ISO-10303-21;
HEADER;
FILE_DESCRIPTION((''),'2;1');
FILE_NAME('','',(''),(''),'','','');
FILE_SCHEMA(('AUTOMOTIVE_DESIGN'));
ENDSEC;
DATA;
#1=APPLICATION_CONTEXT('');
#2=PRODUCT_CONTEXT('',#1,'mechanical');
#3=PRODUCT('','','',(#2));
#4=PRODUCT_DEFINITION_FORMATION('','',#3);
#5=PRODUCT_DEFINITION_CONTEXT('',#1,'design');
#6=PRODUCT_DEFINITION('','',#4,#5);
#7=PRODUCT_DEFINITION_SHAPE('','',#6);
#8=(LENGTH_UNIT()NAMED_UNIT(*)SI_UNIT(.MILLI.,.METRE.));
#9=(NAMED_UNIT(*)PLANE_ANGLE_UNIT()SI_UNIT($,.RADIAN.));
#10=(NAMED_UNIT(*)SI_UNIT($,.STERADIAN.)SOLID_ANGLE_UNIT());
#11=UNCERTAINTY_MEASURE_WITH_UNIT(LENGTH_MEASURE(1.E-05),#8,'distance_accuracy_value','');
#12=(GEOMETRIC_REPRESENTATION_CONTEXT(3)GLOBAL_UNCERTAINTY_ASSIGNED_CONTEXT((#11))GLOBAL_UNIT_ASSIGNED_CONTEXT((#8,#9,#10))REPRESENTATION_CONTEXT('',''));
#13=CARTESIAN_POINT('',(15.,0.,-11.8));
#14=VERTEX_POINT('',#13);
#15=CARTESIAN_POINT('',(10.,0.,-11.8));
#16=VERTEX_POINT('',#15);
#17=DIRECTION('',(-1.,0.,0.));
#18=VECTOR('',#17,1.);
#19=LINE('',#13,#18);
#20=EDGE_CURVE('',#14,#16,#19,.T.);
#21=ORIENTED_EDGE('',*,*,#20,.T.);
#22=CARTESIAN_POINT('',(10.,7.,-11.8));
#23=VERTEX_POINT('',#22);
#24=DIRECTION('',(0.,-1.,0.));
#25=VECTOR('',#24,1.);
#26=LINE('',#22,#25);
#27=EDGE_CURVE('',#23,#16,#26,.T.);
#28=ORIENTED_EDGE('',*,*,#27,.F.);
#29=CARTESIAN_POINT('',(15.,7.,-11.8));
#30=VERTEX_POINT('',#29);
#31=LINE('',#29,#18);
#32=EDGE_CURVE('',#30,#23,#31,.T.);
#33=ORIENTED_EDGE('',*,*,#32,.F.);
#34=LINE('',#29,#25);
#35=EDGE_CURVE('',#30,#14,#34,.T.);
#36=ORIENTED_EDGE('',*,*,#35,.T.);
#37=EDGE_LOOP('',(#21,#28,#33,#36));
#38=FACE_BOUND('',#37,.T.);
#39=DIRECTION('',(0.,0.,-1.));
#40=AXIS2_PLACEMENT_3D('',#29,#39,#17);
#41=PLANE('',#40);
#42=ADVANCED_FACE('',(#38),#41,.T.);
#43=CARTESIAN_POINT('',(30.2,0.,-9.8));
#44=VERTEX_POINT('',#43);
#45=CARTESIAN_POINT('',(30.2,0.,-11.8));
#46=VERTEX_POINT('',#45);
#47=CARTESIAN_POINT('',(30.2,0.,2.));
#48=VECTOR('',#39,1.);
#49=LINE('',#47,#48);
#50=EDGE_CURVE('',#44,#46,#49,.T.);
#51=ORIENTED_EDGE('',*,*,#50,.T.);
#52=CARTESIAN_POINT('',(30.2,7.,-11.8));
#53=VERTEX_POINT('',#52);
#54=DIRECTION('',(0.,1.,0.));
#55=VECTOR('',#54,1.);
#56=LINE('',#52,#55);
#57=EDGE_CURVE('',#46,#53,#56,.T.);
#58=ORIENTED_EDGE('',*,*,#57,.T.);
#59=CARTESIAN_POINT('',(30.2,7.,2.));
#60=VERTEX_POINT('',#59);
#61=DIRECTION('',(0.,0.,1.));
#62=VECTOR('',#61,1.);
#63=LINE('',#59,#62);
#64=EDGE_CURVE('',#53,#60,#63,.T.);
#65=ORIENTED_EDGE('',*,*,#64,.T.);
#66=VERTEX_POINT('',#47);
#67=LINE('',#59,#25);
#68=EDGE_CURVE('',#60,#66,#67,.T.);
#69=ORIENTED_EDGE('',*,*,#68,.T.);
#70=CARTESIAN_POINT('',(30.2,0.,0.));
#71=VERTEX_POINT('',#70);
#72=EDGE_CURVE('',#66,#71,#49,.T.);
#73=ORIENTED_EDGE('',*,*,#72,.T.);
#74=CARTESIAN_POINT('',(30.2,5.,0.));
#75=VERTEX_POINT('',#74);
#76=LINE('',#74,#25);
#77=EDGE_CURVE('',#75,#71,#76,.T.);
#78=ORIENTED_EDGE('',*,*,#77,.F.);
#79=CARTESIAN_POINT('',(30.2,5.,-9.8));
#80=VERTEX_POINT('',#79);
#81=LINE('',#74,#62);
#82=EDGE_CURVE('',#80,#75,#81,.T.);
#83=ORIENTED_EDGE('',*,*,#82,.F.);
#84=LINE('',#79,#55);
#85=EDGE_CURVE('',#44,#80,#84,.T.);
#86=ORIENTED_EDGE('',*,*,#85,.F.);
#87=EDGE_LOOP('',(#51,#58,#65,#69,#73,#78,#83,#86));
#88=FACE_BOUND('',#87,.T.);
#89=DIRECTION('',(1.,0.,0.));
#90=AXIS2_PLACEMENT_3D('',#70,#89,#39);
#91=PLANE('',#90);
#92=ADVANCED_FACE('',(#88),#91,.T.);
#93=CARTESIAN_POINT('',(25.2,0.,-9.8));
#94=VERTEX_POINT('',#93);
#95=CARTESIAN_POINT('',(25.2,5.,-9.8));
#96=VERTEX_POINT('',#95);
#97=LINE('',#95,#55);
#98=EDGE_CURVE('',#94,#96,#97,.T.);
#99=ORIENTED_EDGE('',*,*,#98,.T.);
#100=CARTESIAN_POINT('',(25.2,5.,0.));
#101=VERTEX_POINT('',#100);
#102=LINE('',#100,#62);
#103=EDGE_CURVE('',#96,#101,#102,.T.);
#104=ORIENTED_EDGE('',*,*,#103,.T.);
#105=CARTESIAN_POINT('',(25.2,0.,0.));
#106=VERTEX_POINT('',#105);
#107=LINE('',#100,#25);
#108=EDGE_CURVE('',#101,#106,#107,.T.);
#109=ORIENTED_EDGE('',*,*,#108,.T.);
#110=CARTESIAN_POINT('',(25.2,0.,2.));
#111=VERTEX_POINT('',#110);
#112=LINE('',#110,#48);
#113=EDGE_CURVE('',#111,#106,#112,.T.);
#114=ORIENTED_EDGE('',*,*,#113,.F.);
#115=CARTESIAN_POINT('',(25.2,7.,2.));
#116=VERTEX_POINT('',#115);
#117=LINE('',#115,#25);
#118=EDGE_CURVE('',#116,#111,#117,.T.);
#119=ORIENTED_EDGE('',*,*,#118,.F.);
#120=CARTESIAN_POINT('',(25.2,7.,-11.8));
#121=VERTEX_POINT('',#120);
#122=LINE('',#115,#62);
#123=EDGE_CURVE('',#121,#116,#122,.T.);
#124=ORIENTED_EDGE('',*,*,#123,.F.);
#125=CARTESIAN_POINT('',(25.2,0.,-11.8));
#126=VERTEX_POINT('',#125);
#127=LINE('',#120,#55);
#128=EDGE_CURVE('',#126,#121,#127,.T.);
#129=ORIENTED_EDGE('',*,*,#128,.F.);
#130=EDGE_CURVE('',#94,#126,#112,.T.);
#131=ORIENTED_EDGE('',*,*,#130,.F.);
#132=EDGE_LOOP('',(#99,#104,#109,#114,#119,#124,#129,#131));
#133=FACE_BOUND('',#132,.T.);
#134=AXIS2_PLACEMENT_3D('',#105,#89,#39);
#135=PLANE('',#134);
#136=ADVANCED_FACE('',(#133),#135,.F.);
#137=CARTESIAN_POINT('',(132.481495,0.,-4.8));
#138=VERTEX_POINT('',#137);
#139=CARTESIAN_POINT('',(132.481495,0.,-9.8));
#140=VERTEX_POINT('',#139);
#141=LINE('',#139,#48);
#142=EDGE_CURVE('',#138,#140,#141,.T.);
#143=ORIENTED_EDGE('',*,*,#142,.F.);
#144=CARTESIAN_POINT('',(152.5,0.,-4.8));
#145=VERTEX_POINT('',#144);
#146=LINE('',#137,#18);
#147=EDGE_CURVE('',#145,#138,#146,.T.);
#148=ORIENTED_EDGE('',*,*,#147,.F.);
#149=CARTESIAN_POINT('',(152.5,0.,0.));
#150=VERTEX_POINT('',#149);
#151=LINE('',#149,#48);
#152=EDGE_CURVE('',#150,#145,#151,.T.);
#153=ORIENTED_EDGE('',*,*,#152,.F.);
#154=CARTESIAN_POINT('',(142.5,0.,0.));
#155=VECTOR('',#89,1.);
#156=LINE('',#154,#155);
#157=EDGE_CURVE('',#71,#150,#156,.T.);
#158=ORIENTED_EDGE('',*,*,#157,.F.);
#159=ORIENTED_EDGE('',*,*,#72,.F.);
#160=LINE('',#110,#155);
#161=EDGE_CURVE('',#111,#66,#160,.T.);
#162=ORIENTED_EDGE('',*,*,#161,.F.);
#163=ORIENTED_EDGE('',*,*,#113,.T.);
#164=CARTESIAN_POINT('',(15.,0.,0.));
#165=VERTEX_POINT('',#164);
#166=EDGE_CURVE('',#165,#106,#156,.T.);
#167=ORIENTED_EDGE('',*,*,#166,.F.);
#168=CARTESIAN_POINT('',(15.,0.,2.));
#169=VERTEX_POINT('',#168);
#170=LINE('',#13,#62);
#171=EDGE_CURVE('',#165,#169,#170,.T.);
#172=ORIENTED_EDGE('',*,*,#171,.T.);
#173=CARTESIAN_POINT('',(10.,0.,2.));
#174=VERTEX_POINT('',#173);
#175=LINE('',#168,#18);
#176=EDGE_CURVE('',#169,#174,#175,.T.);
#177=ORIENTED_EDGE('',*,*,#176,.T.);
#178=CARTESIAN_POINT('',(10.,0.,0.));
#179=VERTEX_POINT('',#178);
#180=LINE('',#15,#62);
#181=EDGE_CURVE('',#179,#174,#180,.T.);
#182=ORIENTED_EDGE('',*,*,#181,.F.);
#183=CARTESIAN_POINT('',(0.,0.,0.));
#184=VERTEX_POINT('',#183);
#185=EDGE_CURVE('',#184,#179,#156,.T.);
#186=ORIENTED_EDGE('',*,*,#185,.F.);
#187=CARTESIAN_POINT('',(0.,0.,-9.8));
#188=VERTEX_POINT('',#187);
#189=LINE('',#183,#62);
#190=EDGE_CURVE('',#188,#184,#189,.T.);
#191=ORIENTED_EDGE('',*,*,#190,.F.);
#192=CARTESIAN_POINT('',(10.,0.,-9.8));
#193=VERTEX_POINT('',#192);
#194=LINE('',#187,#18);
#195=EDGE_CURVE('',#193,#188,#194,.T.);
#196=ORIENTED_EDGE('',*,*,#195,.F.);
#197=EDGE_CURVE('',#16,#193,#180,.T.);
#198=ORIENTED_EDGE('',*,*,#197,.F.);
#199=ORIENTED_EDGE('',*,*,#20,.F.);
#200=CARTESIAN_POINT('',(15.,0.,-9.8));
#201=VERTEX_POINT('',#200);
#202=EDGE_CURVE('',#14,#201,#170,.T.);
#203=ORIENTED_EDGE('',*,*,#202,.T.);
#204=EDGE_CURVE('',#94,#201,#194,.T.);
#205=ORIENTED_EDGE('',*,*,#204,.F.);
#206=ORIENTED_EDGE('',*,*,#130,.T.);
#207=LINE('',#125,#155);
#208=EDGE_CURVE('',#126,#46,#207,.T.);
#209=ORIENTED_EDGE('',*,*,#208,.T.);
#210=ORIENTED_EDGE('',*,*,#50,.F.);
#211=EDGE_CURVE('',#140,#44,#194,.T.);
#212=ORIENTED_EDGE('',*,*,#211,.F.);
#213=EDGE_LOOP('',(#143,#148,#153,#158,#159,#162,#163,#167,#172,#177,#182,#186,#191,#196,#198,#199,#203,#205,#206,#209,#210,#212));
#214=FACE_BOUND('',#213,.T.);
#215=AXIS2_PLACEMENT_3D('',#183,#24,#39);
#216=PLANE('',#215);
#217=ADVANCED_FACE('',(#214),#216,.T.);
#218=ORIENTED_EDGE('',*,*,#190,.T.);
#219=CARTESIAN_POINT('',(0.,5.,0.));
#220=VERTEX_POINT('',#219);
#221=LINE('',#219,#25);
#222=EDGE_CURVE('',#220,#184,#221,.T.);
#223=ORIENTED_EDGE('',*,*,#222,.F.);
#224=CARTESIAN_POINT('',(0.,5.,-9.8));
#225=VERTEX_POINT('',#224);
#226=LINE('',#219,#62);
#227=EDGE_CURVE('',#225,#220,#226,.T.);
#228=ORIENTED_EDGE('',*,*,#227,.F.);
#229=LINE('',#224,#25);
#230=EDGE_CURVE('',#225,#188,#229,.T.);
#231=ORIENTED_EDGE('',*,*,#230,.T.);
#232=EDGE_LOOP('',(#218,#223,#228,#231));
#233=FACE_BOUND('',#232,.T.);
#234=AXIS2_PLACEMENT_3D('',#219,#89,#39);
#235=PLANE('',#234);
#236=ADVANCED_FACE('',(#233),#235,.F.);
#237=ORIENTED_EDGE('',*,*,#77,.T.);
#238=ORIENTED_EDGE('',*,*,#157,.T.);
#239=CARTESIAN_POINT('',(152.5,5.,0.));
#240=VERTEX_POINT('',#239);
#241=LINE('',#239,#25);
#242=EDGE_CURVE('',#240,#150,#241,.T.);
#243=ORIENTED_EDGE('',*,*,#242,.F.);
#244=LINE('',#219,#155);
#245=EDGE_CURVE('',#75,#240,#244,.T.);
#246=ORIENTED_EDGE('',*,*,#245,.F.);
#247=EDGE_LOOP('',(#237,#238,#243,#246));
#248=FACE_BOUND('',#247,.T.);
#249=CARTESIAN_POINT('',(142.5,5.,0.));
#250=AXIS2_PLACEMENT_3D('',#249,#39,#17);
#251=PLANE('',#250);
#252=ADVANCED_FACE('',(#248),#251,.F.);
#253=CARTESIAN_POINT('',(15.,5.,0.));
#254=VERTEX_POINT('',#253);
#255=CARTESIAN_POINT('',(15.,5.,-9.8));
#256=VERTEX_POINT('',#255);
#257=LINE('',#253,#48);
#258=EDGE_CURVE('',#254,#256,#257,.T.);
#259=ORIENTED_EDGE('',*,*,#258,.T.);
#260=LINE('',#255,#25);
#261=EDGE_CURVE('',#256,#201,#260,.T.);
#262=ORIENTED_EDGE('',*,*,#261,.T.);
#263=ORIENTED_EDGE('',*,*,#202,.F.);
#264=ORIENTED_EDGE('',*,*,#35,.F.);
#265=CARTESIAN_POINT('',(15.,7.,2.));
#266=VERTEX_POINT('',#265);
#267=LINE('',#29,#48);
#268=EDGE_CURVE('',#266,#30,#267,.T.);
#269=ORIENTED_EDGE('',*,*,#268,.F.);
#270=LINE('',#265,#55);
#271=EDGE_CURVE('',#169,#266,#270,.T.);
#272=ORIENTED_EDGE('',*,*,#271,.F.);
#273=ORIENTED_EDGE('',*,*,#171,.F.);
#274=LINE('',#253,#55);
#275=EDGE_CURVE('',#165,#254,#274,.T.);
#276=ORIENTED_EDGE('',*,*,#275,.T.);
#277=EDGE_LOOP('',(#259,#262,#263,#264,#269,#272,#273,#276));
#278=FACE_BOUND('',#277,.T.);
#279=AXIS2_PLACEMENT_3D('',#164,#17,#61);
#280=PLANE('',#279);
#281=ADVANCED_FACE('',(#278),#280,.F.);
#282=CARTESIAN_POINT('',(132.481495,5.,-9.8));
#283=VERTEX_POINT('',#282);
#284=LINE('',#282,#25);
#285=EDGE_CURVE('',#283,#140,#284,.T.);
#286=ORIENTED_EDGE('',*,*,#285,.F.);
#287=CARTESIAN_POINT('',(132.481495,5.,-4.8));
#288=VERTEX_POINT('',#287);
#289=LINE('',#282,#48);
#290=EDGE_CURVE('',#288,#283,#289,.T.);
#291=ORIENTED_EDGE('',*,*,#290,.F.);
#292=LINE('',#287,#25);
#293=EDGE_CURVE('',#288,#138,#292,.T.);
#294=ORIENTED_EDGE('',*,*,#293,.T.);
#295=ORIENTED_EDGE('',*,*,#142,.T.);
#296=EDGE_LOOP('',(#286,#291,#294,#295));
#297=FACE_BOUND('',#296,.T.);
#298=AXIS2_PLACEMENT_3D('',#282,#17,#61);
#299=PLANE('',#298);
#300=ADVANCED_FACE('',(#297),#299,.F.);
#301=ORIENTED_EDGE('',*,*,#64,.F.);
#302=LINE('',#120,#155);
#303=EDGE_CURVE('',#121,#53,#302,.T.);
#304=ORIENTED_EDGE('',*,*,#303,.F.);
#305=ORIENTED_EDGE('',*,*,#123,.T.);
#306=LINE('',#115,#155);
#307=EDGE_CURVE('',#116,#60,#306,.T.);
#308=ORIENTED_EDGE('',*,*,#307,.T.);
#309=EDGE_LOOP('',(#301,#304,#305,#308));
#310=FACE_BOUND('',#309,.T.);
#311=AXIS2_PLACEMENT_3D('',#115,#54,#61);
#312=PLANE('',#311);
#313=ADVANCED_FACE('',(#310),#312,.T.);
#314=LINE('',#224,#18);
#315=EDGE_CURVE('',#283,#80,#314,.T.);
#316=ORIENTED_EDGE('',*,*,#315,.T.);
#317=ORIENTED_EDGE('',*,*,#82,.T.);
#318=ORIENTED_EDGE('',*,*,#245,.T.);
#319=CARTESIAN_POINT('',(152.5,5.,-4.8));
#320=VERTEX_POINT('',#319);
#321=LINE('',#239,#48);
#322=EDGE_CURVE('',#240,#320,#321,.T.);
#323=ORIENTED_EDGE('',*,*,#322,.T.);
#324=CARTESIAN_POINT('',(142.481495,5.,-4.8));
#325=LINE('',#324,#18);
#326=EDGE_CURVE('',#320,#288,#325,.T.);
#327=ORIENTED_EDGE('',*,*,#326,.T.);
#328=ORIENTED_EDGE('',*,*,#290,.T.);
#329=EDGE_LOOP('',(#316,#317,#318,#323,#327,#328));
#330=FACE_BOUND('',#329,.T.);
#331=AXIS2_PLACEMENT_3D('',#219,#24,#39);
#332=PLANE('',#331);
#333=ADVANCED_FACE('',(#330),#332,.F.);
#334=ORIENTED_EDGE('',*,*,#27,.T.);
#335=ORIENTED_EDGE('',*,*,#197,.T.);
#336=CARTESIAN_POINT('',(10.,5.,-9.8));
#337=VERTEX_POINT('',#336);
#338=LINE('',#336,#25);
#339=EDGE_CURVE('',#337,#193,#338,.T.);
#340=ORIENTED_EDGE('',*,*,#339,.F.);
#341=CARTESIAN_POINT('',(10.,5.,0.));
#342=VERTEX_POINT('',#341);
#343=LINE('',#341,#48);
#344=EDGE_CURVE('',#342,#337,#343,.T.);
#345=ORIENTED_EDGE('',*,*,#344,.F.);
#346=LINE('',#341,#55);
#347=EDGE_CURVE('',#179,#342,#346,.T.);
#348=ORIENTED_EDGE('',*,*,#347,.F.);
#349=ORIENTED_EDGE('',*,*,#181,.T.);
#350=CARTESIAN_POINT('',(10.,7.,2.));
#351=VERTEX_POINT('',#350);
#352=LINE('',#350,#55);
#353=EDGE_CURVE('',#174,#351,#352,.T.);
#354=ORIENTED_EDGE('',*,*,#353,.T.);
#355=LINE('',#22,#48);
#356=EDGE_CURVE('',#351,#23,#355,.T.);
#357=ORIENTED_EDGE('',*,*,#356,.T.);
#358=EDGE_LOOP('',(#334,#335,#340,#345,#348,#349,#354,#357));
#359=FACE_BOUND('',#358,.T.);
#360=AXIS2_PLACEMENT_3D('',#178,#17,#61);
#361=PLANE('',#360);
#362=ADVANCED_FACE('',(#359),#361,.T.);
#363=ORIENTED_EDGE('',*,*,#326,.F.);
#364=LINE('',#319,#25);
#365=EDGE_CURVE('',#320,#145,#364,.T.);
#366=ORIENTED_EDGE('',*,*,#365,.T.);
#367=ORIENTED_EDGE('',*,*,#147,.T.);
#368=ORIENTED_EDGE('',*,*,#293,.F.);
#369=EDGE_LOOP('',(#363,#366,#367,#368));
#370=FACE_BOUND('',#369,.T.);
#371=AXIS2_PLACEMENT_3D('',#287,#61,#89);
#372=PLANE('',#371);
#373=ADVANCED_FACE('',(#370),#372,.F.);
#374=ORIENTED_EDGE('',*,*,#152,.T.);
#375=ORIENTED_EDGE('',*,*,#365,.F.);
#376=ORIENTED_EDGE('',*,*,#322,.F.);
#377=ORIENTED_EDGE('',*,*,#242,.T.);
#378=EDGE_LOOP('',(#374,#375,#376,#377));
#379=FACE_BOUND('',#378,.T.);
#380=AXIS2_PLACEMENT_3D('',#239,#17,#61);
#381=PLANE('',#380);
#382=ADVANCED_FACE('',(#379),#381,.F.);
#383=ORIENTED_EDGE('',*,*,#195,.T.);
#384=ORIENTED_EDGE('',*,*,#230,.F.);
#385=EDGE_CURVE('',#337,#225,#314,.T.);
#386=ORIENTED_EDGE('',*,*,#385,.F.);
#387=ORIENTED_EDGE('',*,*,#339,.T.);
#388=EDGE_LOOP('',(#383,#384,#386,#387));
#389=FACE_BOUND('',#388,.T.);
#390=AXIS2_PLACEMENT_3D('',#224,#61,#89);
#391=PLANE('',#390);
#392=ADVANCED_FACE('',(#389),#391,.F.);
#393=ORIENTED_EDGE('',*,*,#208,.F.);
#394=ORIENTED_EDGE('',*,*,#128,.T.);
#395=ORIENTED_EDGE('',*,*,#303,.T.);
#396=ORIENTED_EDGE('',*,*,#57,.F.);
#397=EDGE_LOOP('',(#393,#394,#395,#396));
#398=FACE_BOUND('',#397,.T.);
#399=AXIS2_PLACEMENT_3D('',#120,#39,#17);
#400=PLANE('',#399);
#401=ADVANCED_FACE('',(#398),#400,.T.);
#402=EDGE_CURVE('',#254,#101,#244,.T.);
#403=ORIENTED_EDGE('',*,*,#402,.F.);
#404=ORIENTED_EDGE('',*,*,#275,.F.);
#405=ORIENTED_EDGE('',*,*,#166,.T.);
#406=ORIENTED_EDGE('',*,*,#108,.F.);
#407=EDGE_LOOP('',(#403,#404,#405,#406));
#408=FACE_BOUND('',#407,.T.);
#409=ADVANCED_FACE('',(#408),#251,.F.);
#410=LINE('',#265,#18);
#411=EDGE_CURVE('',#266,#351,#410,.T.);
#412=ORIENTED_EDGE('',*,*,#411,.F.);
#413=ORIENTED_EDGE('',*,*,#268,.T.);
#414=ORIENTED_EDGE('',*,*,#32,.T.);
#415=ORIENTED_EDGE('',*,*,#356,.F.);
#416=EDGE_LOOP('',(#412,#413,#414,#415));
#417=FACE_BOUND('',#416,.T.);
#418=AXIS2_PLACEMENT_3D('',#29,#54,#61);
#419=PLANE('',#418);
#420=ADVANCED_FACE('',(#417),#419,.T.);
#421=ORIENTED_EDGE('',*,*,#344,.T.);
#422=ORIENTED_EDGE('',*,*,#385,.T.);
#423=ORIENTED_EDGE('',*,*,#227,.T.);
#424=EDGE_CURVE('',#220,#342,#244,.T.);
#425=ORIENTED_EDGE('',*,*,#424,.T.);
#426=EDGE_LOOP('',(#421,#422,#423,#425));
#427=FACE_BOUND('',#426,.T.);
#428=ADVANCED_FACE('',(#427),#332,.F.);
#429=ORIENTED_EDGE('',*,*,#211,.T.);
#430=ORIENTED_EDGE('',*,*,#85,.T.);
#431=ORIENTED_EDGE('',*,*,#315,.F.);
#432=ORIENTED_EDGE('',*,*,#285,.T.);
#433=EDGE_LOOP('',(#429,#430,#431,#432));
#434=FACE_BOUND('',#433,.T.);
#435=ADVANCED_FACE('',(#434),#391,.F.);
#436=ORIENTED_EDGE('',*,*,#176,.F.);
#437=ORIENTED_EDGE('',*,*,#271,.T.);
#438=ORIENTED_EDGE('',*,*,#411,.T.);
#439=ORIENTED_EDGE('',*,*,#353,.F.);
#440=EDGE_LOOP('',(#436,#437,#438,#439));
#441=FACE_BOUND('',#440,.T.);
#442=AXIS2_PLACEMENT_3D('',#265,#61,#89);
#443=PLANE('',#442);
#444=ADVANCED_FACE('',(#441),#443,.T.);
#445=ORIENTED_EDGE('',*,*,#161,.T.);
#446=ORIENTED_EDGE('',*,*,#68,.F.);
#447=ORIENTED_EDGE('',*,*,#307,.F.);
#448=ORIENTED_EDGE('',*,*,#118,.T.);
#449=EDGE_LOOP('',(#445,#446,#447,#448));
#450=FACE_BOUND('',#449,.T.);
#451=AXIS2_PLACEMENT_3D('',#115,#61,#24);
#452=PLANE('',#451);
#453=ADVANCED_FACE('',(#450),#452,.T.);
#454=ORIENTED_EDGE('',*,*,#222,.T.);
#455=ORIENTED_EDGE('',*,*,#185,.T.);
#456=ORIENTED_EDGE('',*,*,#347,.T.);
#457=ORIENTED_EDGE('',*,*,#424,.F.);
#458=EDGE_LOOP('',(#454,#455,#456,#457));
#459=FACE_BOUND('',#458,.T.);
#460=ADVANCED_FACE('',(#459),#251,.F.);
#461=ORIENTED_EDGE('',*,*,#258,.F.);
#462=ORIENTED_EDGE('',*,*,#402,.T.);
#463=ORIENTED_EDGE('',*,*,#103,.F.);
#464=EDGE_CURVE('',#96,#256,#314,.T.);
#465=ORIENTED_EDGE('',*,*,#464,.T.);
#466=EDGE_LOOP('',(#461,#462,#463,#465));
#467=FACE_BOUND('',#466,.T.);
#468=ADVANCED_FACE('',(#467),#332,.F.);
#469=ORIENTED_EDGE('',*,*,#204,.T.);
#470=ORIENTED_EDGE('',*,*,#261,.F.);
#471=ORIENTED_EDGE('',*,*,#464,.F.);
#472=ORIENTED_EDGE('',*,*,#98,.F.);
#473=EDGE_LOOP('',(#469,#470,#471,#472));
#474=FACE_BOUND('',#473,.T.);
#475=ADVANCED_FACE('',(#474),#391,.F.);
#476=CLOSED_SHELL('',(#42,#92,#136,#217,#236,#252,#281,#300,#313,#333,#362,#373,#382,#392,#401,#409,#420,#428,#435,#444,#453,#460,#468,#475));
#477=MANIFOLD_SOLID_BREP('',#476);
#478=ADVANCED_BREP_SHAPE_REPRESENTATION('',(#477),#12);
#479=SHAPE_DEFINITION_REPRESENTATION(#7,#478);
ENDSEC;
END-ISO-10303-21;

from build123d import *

# Parameters (mm, degrees)
BOSS_EXTRUDE1_DEPTH = 5
SKETCH2_W           = 13.8
SKETCH2_H           = 7
BOSS_EXTRUDE2_DEPTH = 5
SKETCH3_W           = 13.8
SKETCH3_H           = 7
BOSS_EXTRUDE3_DEPTH = 5


with BuildPart() as part:
    # Sketch1 → Boss-Extrude1 (new body)
    with BuildSketch(Plane(origin=(0, 0, 0), x_dir=(1, 0, 0), z_dir=(0, 1, 0))):
        Polygon((132.481495242, 9.8), (132.481495242, 4.8), (142.481495242, 4.8), (152.5, 4.8), (152.5, 0), (142.5, 0), (0, 0), (0, 9.8), align=None)
    extrude(amount=BOSS_EXTRUDE1_DEPTH)

    # Sketch2 → Boss-Extrude2 (add)
    with BuildSketch(Plane.ZY.offset(-10)):
        with Locations((-4.9, 3.5)):
            Rectangle(SKETCH2_W, SKETCH2_H)
    extrude(amount=-BOSS_EXTRUDE2_DEPTH)

    # Sketch3 → Boss-Extrude3 (add)
    with BuildSketch(Plane(origin=(30.2, 0, 0), x_dir=(0, 0, -1), z_dir=(1, 0, 0))):
        with Locations((4.9, 3.5)):
            Rectangle(SKETCH3_W, SKETCH3_H)
    extrude(amount=-BOSS_EXTRUDE3_DEPTH)


solid = part.part
